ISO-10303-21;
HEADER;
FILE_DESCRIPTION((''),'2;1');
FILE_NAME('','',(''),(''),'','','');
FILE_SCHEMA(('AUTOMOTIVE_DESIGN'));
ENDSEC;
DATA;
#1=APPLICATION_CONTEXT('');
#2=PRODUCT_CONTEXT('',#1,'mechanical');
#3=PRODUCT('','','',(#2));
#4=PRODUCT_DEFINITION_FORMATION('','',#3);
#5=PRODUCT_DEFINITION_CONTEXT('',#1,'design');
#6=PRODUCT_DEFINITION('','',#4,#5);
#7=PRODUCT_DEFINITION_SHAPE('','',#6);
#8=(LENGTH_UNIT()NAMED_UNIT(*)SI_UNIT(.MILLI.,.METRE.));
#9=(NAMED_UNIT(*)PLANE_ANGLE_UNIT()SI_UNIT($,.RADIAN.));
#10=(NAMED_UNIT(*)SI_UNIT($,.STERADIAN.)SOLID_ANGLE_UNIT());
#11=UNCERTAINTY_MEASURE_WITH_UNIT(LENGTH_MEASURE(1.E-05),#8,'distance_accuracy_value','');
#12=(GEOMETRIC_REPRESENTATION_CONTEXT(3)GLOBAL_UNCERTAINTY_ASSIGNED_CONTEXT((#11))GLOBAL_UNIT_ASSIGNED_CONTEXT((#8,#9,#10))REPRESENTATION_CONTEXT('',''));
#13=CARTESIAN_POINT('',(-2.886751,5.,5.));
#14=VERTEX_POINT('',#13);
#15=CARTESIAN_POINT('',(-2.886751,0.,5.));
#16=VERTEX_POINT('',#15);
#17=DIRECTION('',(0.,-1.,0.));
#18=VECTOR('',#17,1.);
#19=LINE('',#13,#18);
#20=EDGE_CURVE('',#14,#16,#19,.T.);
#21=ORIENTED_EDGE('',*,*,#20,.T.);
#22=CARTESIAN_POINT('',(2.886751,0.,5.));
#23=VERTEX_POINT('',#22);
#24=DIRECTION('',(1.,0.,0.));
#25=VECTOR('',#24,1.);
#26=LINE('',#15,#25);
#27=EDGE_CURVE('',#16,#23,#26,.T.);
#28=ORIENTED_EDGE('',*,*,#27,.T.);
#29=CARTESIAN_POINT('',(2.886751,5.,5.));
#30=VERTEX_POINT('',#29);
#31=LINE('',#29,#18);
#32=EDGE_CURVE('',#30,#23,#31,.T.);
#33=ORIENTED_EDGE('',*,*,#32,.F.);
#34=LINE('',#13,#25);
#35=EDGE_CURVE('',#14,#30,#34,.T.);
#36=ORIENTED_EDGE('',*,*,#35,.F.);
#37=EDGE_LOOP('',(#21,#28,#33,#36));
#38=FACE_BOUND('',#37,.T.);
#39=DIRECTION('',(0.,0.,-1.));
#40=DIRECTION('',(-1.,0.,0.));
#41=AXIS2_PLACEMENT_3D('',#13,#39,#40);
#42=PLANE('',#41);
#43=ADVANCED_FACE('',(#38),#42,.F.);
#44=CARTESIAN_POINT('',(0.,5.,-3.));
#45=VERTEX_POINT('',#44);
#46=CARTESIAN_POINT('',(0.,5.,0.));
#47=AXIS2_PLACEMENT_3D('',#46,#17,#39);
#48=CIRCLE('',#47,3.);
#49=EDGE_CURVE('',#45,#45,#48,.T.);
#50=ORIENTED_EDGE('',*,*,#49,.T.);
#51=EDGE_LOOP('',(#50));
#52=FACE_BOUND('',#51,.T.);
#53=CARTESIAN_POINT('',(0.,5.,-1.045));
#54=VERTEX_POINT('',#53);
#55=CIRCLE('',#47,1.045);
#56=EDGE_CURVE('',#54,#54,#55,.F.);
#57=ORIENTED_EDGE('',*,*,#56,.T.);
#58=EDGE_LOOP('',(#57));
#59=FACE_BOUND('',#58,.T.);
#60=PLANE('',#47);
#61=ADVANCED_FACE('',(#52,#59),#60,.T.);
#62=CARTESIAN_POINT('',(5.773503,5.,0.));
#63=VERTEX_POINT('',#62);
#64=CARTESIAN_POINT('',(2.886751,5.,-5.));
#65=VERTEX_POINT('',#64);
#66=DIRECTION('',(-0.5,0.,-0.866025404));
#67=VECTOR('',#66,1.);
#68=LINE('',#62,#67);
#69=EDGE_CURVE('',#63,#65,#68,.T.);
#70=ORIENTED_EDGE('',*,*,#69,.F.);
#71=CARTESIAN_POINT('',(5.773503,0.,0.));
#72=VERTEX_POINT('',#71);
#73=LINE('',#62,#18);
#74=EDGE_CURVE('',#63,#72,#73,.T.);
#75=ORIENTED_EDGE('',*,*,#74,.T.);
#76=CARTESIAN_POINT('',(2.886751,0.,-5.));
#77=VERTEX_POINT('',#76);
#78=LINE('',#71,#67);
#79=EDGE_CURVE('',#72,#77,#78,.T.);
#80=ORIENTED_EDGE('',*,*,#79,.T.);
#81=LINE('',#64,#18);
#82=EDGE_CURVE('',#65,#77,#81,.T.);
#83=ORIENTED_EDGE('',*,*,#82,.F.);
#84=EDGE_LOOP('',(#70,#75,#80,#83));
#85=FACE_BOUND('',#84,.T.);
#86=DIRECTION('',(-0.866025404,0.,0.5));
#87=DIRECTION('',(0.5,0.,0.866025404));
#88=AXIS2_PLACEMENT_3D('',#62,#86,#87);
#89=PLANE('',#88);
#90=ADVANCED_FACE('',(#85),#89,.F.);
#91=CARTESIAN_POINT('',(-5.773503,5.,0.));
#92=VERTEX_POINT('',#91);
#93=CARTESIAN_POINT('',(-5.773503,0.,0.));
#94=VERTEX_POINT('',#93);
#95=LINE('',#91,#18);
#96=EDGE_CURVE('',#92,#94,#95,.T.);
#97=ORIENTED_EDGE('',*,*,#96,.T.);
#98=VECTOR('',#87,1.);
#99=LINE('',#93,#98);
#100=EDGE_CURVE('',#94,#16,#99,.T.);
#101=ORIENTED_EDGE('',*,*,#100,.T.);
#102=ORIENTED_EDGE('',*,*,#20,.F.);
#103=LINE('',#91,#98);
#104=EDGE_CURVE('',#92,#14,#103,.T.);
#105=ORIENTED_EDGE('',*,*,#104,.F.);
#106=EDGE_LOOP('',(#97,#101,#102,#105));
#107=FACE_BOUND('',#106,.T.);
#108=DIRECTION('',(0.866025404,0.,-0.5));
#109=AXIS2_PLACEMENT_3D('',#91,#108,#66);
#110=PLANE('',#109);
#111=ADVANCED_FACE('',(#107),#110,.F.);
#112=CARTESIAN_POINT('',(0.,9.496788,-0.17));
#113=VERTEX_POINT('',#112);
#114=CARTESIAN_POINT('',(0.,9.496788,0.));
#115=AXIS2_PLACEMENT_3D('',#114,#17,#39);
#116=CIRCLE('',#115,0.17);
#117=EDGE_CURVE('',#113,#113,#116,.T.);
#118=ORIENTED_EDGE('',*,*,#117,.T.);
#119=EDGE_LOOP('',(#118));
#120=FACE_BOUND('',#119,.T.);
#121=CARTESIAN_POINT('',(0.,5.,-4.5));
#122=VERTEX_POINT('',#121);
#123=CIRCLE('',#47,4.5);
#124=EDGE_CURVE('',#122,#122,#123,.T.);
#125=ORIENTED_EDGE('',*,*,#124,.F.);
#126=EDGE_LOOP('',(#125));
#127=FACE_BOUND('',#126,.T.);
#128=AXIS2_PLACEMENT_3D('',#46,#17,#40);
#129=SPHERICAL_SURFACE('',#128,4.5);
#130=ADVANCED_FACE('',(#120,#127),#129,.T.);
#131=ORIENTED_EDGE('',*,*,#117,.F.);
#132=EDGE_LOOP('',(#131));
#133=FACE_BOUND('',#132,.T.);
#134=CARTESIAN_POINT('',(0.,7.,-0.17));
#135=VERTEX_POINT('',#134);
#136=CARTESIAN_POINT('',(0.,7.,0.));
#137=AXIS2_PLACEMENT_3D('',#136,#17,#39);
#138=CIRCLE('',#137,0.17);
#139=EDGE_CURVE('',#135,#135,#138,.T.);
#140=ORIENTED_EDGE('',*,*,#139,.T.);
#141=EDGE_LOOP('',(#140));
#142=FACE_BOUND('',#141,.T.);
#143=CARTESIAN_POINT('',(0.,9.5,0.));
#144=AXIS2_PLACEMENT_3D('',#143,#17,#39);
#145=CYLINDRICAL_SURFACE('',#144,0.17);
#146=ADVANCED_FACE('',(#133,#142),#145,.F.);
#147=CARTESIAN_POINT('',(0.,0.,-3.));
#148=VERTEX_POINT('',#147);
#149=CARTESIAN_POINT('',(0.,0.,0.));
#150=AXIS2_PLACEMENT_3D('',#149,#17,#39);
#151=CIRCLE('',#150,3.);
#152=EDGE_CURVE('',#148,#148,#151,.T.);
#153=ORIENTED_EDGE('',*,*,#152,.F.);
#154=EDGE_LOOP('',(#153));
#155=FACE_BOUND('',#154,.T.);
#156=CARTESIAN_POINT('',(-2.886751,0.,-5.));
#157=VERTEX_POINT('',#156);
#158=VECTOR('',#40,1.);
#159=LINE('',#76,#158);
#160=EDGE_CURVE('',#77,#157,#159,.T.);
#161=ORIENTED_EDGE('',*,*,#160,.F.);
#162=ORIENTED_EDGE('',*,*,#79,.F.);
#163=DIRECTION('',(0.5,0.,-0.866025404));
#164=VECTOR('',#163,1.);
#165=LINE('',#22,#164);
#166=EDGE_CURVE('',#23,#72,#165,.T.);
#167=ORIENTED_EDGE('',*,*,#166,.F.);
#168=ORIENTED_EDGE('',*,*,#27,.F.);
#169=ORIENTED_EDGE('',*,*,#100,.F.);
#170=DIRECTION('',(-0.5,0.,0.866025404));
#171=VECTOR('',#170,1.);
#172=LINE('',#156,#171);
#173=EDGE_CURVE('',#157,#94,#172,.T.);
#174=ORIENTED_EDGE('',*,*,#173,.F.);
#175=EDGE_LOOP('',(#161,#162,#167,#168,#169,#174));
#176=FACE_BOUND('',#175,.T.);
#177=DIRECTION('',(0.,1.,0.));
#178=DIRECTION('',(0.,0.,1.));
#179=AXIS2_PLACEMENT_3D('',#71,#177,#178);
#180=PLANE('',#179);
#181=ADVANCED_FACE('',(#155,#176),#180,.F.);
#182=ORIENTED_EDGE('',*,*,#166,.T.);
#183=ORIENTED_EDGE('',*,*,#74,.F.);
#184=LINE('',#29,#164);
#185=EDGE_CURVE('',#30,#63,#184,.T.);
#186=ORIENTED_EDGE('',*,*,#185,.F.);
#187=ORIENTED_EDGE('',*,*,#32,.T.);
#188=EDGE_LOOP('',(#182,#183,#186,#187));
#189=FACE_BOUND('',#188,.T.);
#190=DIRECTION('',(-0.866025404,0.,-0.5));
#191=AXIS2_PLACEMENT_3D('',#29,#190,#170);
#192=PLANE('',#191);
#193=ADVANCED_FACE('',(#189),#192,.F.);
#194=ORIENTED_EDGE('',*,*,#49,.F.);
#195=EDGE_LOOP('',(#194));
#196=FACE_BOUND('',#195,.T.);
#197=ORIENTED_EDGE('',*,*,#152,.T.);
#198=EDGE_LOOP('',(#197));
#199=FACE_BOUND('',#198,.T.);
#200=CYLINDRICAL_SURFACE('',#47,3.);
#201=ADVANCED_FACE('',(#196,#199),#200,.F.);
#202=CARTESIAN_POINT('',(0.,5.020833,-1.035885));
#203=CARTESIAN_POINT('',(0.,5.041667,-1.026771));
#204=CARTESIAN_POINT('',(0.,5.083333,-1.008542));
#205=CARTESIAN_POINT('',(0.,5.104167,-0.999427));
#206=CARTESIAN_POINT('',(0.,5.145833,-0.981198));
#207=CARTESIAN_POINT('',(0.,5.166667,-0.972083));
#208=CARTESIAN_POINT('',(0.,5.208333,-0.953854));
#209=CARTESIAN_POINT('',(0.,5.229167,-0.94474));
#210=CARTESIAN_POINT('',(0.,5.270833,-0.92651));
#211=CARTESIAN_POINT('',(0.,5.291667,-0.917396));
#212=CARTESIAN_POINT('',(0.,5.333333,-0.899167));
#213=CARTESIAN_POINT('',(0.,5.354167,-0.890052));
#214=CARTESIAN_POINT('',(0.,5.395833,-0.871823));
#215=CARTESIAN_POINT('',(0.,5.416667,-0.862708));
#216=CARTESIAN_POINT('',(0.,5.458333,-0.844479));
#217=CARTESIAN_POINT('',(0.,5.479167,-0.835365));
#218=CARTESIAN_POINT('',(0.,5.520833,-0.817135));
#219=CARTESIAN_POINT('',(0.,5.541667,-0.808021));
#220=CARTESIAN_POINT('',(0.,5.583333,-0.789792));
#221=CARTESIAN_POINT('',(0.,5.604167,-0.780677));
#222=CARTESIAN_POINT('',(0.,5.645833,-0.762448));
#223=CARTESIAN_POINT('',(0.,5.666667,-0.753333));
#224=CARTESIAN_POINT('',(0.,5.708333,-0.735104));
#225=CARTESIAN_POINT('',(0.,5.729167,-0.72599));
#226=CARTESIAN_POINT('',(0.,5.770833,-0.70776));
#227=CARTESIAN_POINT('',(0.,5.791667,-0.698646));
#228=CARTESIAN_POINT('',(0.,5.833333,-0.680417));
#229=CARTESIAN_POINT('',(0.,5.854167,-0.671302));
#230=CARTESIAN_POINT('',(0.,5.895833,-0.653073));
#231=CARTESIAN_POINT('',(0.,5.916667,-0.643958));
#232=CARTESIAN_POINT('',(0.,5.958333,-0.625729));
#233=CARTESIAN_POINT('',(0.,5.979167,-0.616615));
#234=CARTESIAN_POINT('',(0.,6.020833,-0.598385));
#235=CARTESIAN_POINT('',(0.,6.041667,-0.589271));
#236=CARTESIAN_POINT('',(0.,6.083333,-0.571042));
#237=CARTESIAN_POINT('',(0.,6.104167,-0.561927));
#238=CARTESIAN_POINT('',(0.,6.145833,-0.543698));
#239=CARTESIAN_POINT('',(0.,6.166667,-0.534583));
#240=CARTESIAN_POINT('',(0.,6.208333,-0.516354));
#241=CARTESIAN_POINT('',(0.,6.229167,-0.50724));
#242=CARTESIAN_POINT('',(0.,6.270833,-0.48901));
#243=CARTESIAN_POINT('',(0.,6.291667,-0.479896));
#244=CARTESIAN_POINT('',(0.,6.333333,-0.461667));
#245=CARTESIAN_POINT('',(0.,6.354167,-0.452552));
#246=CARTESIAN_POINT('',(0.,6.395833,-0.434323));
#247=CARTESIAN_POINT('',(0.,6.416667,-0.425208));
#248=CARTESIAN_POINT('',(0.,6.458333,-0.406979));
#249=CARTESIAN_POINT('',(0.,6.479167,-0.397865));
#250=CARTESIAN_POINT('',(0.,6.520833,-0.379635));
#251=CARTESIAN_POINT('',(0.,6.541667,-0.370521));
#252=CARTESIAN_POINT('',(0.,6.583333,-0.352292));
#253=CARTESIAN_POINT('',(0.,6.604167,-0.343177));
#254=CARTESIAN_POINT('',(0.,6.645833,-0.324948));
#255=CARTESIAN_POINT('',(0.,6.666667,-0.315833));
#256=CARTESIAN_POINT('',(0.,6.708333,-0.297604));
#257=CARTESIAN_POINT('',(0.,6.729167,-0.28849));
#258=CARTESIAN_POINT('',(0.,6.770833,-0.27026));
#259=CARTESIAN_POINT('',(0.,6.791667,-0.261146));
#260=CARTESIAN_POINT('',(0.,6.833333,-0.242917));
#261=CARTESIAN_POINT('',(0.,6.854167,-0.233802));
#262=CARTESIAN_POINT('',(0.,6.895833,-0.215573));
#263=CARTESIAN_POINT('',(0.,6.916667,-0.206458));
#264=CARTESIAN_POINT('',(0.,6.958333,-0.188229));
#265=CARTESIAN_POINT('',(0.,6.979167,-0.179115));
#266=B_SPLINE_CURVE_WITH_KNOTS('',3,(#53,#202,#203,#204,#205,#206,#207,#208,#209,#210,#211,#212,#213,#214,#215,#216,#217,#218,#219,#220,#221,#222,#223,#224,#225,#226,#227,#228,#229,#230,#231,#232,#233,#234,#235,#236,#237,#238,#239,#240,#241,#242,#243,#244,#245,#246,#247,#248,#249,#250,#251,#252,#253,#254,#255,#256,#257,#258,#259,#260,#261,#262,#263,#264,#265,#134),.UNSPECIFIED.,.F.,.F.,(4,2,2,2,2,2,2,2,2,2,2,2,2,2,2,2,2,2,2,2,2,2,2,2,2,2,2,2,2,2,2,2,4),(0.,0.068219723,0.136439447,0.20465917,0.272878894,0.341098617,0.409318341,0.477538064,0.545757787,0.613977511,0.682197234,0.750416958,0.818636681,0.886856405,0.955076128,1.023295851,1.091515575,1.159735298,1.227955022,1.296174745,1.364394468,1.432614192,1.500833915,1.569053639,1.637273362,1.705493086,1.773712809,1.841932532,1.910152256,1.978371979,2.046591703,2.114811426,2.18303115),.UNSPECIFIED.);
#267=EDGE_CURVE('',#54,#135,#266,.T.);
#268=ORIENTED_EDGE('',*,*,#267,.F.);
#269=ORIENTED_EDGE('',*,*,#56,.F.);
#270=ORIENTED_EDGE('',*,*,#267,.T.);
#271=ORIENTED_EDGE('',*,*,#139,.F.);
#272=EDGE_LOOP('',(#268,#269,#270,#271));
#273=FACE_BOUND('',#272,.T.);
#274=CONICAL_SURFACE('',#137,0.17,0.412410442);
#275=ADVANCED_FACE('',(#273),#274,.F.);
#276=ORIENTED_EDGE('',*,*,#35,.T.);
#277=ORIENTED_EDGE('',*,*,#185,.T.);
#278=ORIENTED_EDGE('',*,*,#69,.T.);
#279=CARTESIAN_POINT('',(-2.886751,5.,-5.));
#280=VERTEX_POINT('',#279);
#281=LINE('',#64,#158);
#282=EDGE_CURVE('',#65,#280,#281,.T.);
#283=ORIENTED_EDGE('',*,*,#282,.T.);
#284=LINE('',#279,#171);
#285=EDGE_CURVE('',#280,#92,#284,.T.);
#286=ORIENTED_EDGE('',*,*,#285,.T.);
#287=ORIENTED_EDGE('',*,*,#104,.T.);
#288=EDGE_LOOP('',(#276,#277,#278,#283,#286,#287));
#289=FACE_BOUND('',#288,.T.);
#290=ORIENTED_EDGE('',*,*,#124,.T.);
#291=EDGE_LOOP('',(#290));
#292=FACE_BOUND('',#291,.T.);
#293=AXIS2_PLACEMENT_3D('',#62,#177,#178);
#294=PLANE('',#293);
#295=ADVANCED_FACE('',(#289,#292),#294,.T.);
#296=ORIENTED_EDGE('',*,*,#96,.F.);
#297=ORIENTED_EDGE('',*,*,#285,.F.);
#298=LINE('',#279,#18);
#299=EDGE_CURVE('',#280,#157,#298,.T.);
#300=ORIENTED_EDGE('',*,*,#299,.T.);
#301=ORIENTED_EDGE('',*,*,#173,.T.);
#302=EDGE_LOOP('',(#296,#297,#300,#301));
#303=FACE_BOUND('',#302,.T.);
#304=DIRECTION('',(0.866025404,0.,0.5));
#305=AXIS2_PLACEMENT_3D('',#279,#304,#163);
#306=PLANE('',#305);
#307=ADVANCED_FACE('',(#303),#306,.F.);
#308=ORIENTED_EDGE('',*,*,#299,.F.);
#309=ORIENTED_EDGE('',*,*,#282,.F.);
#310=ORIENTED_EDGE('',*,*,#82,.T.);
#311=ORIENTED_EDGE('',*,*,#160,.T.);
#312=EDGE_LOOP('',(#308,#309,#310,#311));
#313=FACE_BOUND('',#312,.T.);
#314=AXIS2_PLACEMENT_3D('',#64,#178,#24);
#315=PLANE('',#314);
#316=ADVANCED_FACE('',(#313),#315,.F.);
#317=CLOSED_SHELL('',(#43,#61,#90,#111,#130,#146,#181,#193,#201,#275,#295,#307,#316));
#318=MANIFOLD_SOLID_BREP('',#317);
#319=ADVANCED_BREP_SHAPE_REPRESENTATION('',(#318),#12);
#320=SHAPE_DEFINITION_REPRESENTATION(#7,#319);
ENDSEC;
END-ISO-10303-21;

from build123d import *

# Parameters (mm, degrees)
BOSS_EXTRUDE1_DEPTH = 5
SKETCH4_R           = 3
CUT_EXTRUDE1_DEPTH  = 5
SKETCH6_R           = 0.17
CUT_EXTRUDE2_DEPTH  = 10.128709292
CHAMFER2_SIZE       = 0.875
CHAMFER2_SIZE2      = 2


with BuildPart() as part:
    # Sketch1 → Boss-Extrude1 (new body)
    with BuildSketch(Plane(origin=(0, 0, 0), x_dir=(1, 0, 0), z_dir=(0, 1, 0))):
        Polygon((5.773502692, 0), (2.886751346, 5), (-2.886751346, 5), (-5.773502692, 0), (-2.886751346, -5), (2.886751346, -5), align=None)
    extrude(amount=BOSS_EXTRUDE1_DEPTH)

    # Sketch3 → Revolve1 (revolve)
    with BuildSketch(Plane.XY):
        with BuildLine():
            Line((0, 5), (-4.5, 5))
            ThreePointArc((-4.5, 5), (-3.181980515, 8.181980515), (0, 9.5))
            Line((0, 9.5), (0, 5))
        make_face()
    revolve(axis=Axis((0, 0, 0), (0, 1, 0)))

    # Sketch4 → Cut-Extrude1 (cut)
    with BuildSketch(Plane.XZ):
        with Locations(Location((0, 0, 0), (0, 0, 270))):
            Circle(SKETCH4_R)
    extrude(amount=-CUT_EXTRUDE1_DEPTH, mode=Mode.SUBTRACT)

    # Sketch6 → Cut-Extrude2 (cut, through all)
    with BuildSketch(Plane.XZ.offset(-5)):
        with Locations(Location((0, 0, 0), (0, 0, 270))):
            Circle(SKETCH6_R)
    extrude(amount=-CUT_EXTRUDE2_DEPTH, mode=Mode.SUBTRACT)

    # Chamfer2
    chamfer2_edges = [part.edges().sort_by_distance(p)[0] for p in [
        (0, 5, 0.17),
    ]]
    chamfer2_side = [part.faces().sort_by_distance(p)[0] for p in [
        (0, 5, 2.915147186),
    ]]
    chamfer(chamfer2_edges, length=CHAMFER2_SIZE, length2=CHAMFER2_SIZE2, reference=chamfer2_side[0])


solid = part.part
